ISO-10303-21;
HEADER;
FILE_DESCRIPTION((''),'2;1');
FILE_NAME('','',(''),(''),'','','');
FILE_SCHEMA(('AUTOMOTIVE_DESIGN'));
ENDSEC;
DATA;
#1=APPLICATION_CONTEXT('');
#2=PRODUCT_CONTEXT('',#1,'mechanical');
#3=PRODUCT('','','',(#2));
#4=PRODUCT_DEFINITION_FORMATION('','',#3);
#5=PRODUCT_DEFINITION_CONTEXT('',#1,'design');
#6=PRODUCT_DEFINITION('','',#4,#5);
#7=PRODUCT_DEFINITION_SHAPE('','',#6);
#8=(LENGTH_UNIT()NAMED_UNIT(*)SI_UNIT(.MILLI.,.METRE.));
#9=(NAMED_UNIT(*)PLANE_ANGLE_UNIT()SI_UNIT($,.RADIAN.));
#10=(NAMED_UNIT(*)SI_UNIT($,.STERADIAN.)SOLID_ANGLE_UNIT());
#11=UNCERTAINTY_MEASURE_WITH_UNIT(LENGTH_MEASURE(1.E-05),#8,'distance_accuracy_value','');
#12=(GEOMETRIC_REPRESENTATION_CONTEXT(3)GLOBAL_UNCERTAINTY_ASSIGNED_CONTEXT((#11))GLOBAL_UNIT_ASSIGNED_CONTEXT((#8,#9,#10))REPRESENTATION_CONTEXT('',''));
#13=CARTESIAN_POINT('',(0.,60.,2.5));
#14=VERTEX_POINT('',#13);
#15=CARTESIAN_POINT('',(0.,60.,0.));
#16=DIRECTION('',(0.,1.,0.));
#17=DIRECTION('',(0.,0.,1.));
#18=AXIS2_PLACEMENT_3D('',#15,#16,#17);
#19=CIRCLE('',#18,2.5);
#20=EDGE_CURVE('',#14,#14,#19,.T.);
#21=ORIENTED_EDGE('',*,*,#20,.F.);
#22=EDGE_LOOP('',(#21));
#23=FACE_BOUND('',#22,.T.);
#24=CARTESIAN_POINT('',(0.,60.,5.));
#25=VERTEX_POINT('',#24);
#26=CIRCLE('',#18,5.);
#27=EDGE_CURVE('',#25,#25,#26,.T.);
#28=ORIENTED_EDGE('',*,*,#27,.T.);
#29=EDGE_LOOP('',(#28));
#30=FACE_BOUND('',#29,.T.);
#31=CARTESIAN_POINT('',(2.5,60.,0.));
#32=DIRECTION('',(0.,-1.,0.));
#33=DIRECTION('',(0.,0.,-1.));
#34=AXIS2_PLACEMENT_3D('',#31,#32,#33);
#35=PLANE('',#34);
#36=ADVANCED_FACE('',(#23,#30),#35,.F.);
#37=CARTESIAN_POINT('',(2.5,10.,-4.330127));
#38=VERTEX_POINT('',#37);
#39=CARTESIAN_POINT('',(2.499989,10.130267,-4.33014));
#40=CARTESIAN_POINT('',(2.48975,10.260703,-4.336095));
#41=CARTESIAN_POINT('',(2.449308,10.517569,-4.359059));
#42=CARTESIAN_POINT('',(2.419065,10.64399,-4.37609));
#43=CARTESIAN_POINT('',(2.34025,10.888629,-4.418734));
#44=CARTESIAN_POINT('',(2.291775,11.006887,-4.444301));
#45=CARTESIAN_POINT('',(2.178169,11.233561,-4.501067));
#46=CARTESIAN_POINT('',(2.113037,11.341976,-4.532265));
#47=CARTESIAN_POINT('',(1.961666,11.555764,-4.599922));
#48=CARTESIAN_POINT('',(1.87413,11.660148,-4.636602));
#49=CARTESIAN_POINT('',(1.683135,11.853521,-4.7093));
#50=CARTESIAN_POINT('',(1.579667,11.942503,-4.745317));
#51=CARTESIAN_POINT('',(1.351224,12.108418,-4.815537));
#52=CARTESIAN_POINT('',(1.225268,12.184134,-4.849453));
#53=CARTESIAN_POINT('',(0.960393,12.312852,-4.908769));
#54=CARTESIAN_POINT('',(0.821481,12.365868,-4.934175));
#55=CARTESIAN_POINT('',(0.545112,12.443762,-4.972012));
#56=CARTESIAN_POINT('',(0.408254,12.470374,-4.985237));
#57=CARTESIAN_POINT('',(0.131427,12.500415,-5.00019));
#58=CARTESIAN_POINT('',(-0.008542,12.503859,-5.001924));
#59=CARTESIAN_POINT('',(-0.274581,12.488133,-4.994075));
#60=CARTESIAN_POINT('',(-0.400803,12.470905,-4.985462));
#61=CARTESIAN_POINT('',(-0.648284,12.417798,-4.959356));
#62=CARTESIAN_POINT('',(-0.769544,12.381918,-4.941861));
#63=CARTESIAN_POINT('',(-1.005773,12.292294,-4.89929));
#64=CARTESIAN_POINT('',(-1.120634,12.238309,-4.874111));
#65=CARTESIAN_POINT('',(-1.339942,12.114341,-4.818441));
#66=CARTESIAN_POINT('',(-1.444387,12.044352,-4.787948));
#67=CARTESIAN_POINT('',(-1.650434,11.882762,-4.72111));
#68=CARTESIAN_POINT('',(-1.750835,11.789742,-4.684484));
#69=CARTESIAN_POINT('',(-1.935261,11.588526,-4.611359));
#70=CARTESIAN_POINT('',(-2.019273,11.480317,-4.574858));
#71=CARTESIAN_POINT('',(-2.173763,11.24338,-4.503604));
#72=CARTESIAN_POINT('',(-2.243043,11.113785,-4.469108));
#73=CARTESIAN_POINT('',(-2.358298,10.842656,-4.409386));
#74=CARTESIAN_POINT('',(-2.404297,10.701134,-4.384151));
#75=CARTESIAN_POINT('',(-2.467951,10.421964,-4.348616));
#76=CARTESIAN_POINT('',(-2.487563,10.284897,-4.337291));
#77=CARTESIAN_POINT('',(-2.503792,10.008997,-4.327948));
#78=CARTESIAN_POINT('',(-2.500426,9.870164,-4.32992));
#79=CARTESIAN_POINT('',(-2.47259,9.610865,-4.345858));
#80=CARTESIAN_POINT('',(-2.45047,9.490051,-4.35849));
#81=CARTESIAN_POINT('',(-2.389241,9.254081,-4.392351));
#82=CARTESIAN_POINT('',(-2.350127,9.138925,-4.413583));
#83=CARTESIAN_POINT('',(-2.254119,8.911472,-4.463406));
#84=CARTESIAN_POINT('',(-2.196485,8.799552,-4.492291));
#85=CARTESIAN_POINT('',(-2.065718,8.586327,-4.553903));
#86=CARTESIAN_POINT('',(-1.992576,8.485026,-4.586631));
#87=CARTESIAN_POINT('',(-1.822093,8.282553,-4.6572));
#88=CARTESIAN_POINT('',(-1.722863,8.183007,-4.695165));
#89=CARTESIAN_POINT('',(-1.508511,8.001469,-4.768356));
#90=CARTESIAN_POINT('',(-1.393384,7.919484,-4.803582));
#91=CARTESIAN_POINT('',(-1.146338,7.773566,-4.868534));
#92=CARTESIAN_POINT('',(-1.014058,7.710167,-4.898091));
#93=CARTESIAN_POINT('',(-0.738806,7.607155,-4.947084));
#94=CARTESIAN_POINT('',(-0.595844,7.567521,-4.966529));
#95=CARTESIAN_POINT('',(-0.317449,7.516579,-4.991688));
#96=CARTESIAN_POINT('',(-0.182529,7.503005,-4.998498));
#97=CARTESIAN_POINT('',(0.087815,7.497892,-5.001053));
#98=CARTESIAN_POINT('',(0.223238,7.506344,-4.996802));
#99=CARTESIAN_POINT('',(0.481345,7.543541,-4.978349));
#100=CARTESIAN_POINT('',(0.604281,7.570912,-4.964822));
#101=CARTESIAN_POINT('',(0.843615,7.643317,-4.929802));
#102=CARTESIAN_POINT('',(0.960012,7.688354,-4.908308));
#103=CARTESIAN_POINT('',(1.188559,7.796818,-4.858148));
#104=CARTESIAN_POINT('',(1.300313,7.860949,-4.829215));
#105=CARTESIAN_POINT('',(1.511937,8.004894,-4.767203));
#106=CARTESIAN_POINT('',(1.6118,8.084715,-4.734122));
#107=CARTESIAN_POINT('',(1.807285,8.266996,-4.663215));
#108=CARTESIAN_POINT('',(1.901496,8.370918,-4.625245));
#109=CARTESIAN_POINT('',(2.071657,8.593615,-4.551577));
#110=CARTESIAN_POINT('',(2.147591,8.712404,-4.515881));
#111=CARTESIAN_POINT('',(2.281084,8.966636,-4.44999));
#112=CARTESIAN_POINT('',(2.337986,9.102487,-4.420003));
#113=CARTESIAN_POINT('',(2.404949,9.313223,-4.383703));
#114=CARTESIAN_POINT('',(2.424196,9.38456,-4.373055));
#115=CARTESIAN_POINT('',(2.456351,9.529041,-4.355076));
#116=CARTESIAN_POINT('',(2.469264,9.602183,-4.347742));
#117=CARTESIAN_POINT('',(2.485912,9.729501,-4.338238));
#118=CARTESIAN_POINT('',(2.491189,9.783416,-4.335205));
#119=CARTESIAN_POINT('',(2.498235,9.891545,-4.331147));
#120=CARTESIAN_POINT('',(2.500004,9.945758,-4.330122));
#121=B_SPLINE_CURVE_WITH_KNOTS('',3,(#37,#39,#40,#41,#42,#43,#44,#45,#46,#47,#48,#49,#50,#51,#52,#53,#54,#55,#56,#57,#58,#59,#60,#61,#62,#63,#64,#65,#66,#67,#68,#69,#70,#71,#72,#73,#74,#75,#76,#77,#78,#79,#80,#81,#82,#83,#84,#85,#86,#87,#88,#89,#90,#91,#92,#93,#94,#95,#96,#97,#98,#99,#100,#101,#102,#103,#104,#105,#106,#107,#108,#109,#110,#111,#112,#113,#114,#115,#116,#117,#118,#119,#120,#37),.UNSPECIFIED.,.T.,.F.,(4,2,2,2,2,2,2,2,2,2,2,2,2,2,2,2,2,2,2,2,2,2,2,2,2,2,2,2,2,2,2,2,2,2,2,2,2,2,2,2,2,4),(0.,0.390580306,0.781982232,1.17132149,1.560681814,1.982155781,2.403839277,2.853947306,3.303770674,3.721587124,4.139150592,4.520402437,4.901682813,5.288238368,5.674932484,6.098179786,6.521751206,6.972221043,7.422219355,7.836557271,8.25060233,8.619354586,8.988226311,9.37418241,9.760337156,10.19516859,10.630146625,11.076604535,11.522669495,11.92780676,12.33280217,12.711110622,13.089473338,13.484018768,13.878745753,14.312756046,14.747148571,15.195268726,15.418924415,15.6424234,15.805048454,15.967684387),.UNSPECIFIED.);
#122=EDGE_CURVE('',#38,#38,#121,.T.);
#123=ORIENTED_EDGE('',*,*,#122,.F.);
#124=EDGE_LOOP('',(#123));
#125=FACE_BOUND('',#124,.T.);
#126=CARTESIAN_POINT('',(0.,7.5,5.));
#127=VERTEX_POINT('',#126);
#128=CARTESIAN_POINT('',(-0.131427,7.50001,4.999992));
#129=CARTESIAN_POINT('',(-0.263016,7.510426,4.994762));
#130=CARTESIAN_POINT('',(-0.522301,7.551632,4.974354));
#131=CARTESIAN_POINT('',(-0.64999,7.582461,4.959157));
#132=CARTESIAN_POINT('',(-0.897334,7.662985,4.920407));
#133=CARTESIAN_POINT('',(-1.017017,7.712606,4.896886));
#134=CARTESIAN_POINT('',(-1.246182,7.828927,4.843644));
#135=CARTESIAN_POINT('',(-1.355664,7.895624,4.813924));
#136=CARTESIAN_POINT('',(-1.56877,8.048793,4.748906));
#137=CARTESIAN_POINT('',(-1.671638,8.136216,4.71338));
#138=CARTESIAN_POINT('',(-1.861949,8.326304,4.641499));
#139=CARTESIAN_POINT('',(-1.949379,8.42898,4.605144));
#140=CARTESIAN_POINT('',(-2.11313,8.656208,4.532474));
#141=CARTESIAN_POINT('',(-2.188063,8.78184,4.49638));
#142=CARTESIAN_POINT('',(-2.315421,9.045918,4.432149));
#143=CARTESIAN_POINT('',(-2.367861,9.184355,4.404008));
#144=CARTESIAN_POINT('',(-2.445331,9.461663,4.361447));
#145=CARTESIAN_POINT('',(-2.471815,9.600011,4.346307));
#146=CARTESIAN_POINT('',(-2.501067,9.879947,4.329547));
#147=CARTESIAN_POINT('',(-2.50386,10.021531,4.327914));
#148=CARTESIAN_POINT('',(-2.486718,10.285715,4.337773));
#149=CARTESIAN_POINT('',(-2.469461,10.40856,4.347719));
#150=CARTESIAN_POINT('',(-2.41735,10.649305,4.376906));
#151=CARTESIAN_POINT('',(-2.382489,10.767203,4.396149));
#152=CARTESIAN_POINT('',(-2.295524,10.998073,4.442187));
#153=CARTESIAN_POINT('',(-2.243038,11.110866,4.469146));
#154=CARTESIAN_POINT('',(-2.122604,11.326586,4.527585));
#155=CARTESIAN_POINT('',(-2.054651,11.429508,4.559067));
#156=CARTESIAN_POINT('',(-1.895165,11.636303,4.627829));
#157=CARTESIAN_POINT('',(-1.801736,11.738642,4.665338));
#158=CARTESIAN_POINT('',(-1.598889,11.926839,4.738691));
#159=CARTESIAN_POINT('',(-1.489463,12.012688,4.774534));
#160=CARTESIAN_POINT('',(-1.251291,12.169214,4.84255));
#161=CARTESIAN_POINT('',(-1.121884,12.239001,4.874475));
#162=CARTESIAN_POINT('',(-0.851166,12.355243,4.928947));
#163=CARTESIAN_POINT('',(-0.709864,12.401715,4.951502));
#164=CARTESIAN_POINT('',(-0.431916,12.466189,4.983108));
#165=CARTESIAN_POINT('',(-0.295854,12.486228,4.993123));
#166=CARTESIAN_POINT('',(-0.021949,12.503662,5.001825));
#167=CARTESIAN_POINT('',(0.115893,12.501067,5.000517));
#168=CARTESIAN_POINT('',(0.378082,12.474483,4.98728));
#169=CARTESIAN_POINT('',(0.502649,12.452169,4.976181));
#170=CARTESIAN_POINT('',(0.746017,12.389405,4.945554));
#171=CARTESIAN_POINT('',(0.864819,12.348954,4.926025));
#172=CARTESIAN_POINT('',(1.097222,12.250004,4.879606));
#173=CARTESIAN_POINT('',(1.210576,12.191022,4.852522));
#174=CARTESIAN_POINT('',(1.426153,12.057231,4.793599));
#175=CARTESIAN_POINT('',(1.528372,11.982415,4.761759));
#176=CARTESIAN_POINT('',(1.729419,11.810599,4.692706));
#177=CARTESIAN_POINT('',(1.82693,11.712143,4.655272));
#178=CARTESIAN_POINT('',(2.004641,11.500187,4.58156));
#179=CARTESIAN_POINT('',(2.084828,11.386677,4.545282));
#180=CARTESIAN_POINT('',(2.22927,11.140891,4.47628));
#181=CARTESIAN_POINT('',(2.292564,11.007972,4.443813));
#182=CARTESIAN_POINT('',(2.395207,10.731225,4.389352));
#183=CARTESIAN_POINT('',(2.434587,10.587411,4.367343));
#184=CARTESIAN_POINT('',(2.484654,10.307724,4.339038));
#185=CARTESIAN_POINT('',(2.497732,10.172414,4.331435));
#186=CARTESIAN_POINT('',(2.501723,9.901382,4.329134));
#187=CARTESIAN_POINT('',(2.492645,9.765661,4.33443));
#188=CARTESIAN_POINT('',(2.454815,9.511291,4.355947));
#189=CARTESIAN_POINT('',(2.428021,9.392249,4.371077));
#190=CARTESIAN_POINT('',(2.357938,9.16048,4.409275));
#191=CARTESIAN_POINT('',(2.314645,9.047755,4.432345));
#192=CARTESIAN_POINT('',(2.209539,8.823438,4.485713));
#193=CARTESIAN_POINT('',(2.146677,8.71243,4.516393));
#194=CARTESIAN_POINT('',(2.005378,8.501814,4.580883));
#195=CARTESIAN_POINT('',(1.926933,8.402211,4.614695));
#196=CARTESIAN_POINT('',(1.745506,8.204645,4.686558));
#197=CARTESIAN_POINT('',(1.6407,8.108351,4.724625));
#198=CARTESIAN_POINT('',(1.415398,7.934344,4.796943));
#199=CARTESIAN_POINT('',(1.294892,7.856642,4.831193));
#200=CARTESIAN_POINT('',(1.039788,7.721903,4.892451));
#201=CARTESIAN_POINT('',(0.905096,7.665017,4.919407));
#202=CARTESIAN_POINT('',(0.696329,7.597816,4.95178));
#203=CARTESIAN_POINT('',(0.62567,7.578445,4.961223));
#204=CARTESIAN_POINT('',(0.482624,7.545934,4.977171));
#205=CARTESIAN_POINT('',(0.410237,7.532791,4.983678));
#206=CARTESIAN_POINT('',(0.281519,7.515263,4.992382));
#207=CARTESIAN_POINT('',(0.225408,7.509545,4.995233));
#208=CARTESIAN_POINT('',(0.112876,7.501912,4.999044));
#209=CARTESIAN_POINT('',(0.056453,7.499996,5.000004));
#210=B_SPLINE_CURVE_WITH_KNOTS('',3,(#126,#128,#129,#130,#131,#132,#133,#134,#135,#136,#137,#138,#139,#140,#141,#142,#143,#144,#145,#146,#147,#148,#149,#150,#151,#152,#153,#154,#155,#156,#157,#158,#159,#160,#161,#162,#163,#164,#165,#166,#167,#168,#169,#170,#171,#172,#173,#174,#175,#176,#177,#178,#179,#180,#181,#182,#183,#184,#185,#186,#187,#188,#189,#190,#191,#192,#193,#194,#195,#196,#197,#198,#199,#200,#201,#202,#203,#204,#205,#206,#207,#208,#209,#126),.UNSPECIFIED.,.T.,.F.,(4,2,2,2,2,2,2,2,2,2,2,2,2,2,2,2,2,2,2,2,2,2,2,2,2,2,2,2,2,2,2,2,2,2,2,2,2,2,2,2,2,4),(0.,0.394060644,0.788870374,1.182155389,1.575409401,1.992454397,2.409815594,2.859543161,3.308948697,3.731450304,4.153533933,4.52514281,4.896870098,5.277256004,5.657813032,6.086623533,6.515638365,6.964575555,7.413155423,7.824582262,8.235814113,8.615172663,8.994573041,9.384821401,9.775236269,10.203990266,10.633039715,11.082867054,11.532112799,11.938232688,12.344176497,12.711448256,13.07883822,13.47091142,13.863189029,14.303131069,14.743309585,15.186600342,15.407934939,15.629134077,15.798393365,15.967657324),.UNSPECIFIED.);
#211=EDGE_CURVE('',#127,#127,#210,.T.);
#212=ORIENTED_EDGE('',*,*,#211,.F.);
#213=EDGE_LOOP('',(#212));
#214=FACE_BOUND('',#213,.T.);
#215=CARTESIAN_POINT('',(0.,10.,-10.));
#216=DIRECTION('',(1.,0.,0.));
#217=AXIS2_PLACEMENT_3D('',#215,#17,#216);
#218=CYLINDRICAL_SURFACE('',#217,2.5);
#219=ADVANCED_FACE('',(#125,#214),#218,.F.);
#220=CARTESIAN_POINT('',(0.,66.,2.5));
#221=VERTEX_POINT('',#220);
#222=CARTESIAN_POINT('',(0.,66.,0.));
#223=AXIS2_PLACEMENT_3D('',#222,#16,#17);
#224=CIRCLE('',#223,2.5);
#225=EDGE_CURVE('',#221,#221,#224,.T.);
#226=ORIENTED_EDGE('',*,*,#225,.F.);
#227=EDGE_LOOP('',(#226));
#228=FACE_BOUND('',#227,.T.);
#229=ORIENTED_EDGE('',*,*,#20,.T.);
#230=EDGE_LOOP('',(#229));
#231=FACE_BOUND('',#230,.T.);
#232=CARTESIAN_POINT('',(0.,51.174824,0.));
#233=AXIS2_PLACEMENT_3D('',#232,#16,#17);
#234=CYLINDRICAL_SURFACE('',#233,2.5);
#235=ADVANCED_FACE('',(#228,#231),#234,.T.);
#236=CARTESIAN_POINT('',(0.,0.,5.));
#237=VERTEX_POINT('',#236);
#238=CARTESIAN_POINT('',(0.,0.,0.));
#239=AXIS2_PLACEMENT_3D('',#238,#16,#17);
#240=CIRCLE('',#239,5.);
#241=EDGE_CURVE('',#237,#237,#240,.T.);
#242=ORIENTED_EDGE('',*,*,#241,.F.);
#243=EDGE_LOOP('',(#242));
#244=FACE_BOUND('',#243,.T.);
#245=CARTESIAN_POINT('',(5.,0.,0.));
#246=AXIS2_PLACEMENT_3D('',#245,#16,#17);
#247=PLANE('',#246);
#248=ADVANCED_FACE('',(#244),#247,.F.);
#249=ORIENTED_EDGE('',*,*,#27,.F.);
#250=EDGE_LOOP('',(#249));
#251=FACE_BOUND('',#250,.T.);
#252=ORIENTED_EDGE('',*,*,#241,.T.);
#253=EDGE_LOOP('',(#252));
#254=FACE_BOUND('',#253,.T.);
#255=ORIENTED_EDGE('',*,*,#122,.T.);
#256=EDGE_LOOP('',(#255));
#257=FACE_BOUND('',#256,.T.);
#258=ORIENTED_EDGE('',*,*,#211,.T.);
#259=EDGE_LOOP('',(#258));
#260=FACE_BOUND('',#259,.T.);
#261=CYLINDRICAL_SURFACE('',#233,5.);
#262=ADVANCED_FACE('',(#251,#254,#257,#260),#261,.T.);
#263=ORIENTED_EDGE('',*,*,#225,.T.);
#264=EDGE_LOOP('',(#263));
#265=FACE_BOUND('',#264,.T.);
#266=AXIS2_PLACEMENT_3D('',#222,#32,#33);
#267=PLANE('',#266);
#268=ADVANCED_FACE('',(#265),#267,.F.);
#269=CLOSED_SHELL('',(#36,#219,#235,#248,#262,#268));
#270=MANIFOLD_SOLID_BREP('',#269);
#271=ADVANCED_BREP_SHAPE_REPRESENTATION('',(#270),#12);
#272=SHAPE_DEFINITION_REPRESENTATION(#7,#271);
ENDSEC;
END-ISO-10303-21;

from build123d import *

# Parameters (mm, degrees)
SKETCH2_R          = 2.5
CUT_EXTRUDE1_DEPTH = 10


with BuildPart() as part:
    # Sketch1 → Revolve1 (revolve)
    with BuildSketch(Plane.XY, mode=Mode.PRIVATE) as revolve1_sk:
        Polygon((0, 66), (2.5, 66), (2.5, 60), (5, 60), (5, 0), (0, 0), align=None)
    revolve(revolve1_sk.sketch.rotate(Axis((0, 51.174824137, 0), (0, -1, 0)), 90), axis=Axis((0, 51.174824137, 0), (0, -1, 0)))

    # Sketch2 → Cut-Extrude1 (cut, symmetric)
    with BuildSketch(Plane.XY):
        with Locations((0, 10)):
            Circle(SKETCH2_R)
    extrude(amount=CUT_EXTRUDE1_DEPTH, both=True, mode=Mode.SUBTRACT)


solid = part.part
